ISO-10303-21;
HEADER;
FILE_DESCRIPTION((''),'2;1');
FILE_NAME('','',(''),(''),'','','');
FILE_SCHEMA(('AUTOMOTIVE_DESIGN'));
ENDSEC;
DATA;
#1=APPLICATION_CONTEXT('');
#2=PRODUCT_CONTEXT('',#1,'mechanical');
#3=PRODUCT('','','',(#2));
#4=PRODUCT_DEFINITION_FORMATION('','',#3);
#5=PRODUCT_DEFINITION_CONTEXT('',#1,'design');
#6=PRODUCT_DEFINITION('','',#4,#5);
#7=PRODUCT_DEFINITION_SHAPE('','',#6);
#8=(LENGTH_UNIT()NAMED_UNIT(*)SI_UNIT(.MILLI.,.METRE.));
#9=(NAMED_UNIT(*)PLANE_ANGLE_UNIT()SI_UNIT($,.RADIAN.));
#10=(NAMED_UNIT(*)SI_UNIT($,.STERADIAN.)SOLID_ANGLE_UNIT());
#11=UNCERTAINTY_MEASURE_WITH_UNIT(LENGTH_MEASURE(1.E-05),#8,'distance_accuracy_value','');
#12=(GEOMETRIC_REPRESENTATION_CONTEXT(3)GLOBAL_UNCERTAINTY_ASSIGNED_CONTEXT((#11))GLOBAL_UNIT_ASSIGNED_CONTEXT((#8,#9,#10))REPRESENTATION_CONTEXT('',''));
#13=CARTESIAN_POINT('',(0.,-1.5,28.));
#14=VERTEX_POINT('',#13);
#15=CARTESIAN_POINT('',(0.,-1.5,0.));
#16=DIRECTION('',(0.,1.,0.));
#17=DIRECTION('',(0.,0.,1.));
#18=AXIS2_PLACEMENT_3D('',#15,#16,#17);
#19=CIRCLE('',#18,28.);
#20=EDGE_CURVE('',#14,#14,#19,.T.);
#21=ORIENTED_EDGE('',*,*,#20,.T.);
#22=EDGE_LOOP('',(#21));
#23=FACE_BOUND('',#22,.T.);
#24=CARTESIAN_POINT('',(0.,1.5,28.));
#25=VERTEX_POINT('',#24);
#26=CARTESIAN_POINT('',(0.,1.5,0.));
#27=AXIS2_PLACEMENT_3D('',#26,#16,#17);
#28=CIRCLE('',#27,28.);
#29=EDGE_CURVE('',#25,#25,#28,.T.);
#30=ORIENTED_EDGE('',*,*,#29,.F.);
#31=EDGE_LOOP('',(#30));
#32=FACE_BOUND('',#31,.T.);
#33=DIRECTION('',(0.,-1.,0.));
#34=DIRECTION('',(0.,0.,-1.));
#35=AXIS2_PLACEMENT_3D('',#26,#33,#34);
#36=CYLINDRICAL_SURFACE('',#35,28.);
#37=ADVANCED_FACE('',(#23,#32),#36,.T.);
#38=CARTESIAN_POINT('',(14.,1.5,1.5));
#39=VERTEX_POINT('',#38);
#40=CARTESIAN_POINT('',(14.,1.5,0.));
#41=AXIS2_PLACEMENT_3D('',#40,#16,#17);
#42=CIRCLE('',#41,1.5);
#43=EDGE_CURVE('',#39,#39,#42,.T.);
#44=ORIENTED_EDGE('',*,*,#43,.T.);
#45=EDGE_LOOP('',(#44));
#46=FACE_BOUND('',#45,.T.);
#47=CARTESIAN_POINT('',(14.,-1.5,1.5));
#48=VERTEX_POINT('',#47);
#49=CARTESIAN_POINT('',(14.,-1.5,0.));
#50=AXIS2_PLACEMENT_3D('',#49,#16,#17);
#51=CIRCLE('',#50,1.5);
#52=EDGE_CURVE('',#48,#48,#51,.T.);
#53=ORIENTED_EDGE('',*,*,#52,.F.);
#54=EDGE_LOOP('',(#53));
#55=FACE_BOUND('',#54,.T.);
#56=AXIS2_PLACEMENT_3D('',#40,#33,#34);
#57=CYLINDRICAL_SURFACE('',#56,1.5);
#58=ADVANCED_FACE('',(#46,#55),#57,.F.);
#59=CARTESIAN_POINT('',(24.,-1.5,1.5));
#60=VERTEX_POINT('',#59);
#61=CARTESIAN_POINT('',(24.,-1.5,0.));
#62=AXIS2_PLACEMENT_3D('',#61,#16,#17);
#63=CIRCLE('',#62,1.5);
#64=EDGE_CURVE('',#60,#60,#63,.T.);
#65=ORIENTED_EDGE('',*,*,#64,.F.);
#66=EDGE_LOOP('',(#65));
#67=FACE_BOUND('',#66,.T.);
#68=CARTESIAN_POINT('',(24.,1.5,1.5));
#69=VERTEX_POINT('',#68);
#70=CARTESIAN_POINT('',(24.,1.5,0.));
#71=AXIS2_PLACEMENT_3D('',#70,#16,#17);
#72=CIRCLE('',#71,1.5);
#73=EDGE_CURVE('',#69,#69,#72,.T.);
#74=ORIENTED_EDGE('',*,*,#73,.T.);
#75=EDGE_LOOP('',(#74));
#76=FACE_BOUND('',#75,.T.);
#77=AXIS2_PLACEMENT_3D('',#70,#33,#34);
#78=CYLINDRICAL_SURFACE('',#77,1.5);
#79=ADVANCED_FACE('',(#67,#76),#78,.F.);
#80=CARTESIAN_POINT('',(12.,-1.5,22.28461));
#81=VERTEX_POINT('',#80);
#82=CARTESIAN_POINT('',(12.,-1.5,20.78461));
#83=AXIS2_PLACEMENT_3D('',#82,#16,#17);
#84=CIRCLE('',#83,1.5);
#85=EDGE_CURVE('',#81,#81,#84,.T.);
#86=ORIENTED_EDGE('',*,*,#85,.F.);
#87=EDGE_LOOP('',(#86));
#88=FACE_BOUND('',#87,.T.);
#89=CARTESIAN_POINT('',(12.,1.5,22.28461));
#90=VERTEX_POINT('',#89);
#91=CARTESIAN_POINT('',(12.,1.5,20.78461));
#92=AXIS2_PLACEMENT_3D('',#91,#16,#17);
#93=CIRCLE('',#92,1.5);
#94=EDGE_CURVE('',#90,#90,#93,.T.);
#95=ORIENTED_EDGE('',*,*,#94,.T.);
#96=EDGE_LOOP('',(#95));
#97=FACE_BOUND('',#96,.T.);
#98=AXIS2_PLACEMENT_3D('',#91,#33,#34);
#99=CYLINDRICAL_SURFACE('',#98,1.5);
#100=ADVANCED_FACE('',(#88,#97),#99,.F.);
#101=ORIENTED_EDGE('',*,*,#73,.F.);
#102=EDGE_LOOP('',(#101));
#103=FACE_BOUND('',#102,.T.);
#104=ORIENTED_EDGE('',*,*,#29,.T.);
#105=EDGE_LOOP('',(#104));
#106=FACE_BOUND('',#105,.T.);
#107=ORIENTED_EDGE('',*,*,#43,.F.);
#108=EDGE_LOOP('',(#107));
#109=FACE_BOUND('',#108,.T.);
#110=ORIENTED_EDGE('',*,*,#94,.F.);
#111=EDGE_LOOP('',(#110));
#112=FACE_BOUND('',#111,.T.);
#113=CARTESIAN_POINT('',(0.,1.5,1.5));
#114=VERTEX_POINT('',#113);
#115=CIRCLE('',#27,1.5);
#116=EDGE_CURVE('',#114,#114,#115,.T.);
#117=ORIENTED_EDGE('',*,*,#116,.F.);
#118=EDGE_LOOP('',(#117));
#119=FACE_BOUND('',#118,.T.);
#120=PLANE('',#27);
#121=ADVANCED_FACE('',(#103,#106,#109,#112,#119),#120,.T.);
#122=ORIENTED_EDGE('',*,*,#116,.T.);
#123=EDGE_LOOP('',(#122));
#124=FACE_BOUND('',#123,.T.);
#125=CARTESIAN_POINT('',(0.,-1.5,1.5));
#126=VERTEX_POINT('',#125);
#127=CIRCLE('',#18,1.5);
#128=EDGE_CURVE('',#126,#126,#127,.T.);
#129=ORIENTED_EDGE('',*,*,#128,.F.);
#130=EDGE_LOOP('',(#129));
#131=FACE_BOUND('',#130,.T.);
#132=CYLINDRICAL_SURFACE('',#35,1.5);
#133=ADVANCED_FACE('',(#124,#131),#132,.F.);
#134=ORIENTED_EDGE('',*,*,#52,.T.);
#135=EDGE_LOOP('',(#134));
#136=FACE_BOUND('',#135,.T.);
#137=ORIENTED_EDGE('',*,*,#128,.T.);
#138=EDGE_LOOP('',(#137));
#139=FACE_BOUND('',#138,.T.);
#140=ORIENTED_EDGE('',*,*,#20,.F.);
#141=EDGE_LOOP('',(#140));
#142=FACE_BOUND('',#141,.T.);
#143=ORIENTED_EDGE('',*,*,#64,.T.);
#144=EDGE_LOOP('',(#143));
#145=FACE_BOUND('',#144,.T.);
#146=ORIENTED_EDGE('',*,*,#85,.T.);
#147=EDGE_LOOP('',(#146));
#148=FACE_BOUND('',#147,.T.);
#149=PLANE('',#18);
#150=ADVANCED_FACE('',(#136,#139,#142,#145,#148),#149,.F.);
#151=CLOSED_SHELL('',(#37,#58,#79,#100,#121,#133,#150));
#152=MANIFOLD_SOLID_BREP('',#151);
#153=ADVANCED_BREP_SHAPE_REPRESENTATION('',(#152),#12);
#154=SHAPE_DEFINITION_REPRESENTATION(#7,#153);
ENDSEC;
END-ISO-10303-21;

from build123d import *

# Parameters (mm, degrees)
SKETCH1_R           = 28
SKETCH1_R_2         = 1.5
BOSS_EXTRUDE1_DEPTH = 1.5


with BuildPart() as part:
    # Sketch1 → Boss-Extrude1 (new, symmetric)
    with BuildSketch(Plane(origin=(0, 0, 0), x_dir=(1, 0, 0), z_dir=(0, 1, 0))):
        with Locations(Location((0, 0, 0), (0, 0, 270))):
            Circle(SKETCH1_R)
        with Locations(Location((0, 0, 0), (0, 0, 270))):
            Circle(SKETCH1_R_2, mode=Mode.SUBTRACT)
        with Locations(Location((24, 0, 0), (0, 0, 270))):
            Circle(SKETCH1_R_2, mode=Mode.SUBTRACT)
        with Locations(Location((14, 0, 0), (0, 0, 270))):
            Circle(SKETCH1_R_2, mode=Mode.SUBTRACT)
        with Locations(Location((12, -20.784609691, 0), (0, 0, 270))):
            Circle(SKETCH1_R_2, mode=Mode.SUBTRACT)
    extrude(amount=BOSS_EXTRUDE1_DEPTH, both=True)


solid = part.part
